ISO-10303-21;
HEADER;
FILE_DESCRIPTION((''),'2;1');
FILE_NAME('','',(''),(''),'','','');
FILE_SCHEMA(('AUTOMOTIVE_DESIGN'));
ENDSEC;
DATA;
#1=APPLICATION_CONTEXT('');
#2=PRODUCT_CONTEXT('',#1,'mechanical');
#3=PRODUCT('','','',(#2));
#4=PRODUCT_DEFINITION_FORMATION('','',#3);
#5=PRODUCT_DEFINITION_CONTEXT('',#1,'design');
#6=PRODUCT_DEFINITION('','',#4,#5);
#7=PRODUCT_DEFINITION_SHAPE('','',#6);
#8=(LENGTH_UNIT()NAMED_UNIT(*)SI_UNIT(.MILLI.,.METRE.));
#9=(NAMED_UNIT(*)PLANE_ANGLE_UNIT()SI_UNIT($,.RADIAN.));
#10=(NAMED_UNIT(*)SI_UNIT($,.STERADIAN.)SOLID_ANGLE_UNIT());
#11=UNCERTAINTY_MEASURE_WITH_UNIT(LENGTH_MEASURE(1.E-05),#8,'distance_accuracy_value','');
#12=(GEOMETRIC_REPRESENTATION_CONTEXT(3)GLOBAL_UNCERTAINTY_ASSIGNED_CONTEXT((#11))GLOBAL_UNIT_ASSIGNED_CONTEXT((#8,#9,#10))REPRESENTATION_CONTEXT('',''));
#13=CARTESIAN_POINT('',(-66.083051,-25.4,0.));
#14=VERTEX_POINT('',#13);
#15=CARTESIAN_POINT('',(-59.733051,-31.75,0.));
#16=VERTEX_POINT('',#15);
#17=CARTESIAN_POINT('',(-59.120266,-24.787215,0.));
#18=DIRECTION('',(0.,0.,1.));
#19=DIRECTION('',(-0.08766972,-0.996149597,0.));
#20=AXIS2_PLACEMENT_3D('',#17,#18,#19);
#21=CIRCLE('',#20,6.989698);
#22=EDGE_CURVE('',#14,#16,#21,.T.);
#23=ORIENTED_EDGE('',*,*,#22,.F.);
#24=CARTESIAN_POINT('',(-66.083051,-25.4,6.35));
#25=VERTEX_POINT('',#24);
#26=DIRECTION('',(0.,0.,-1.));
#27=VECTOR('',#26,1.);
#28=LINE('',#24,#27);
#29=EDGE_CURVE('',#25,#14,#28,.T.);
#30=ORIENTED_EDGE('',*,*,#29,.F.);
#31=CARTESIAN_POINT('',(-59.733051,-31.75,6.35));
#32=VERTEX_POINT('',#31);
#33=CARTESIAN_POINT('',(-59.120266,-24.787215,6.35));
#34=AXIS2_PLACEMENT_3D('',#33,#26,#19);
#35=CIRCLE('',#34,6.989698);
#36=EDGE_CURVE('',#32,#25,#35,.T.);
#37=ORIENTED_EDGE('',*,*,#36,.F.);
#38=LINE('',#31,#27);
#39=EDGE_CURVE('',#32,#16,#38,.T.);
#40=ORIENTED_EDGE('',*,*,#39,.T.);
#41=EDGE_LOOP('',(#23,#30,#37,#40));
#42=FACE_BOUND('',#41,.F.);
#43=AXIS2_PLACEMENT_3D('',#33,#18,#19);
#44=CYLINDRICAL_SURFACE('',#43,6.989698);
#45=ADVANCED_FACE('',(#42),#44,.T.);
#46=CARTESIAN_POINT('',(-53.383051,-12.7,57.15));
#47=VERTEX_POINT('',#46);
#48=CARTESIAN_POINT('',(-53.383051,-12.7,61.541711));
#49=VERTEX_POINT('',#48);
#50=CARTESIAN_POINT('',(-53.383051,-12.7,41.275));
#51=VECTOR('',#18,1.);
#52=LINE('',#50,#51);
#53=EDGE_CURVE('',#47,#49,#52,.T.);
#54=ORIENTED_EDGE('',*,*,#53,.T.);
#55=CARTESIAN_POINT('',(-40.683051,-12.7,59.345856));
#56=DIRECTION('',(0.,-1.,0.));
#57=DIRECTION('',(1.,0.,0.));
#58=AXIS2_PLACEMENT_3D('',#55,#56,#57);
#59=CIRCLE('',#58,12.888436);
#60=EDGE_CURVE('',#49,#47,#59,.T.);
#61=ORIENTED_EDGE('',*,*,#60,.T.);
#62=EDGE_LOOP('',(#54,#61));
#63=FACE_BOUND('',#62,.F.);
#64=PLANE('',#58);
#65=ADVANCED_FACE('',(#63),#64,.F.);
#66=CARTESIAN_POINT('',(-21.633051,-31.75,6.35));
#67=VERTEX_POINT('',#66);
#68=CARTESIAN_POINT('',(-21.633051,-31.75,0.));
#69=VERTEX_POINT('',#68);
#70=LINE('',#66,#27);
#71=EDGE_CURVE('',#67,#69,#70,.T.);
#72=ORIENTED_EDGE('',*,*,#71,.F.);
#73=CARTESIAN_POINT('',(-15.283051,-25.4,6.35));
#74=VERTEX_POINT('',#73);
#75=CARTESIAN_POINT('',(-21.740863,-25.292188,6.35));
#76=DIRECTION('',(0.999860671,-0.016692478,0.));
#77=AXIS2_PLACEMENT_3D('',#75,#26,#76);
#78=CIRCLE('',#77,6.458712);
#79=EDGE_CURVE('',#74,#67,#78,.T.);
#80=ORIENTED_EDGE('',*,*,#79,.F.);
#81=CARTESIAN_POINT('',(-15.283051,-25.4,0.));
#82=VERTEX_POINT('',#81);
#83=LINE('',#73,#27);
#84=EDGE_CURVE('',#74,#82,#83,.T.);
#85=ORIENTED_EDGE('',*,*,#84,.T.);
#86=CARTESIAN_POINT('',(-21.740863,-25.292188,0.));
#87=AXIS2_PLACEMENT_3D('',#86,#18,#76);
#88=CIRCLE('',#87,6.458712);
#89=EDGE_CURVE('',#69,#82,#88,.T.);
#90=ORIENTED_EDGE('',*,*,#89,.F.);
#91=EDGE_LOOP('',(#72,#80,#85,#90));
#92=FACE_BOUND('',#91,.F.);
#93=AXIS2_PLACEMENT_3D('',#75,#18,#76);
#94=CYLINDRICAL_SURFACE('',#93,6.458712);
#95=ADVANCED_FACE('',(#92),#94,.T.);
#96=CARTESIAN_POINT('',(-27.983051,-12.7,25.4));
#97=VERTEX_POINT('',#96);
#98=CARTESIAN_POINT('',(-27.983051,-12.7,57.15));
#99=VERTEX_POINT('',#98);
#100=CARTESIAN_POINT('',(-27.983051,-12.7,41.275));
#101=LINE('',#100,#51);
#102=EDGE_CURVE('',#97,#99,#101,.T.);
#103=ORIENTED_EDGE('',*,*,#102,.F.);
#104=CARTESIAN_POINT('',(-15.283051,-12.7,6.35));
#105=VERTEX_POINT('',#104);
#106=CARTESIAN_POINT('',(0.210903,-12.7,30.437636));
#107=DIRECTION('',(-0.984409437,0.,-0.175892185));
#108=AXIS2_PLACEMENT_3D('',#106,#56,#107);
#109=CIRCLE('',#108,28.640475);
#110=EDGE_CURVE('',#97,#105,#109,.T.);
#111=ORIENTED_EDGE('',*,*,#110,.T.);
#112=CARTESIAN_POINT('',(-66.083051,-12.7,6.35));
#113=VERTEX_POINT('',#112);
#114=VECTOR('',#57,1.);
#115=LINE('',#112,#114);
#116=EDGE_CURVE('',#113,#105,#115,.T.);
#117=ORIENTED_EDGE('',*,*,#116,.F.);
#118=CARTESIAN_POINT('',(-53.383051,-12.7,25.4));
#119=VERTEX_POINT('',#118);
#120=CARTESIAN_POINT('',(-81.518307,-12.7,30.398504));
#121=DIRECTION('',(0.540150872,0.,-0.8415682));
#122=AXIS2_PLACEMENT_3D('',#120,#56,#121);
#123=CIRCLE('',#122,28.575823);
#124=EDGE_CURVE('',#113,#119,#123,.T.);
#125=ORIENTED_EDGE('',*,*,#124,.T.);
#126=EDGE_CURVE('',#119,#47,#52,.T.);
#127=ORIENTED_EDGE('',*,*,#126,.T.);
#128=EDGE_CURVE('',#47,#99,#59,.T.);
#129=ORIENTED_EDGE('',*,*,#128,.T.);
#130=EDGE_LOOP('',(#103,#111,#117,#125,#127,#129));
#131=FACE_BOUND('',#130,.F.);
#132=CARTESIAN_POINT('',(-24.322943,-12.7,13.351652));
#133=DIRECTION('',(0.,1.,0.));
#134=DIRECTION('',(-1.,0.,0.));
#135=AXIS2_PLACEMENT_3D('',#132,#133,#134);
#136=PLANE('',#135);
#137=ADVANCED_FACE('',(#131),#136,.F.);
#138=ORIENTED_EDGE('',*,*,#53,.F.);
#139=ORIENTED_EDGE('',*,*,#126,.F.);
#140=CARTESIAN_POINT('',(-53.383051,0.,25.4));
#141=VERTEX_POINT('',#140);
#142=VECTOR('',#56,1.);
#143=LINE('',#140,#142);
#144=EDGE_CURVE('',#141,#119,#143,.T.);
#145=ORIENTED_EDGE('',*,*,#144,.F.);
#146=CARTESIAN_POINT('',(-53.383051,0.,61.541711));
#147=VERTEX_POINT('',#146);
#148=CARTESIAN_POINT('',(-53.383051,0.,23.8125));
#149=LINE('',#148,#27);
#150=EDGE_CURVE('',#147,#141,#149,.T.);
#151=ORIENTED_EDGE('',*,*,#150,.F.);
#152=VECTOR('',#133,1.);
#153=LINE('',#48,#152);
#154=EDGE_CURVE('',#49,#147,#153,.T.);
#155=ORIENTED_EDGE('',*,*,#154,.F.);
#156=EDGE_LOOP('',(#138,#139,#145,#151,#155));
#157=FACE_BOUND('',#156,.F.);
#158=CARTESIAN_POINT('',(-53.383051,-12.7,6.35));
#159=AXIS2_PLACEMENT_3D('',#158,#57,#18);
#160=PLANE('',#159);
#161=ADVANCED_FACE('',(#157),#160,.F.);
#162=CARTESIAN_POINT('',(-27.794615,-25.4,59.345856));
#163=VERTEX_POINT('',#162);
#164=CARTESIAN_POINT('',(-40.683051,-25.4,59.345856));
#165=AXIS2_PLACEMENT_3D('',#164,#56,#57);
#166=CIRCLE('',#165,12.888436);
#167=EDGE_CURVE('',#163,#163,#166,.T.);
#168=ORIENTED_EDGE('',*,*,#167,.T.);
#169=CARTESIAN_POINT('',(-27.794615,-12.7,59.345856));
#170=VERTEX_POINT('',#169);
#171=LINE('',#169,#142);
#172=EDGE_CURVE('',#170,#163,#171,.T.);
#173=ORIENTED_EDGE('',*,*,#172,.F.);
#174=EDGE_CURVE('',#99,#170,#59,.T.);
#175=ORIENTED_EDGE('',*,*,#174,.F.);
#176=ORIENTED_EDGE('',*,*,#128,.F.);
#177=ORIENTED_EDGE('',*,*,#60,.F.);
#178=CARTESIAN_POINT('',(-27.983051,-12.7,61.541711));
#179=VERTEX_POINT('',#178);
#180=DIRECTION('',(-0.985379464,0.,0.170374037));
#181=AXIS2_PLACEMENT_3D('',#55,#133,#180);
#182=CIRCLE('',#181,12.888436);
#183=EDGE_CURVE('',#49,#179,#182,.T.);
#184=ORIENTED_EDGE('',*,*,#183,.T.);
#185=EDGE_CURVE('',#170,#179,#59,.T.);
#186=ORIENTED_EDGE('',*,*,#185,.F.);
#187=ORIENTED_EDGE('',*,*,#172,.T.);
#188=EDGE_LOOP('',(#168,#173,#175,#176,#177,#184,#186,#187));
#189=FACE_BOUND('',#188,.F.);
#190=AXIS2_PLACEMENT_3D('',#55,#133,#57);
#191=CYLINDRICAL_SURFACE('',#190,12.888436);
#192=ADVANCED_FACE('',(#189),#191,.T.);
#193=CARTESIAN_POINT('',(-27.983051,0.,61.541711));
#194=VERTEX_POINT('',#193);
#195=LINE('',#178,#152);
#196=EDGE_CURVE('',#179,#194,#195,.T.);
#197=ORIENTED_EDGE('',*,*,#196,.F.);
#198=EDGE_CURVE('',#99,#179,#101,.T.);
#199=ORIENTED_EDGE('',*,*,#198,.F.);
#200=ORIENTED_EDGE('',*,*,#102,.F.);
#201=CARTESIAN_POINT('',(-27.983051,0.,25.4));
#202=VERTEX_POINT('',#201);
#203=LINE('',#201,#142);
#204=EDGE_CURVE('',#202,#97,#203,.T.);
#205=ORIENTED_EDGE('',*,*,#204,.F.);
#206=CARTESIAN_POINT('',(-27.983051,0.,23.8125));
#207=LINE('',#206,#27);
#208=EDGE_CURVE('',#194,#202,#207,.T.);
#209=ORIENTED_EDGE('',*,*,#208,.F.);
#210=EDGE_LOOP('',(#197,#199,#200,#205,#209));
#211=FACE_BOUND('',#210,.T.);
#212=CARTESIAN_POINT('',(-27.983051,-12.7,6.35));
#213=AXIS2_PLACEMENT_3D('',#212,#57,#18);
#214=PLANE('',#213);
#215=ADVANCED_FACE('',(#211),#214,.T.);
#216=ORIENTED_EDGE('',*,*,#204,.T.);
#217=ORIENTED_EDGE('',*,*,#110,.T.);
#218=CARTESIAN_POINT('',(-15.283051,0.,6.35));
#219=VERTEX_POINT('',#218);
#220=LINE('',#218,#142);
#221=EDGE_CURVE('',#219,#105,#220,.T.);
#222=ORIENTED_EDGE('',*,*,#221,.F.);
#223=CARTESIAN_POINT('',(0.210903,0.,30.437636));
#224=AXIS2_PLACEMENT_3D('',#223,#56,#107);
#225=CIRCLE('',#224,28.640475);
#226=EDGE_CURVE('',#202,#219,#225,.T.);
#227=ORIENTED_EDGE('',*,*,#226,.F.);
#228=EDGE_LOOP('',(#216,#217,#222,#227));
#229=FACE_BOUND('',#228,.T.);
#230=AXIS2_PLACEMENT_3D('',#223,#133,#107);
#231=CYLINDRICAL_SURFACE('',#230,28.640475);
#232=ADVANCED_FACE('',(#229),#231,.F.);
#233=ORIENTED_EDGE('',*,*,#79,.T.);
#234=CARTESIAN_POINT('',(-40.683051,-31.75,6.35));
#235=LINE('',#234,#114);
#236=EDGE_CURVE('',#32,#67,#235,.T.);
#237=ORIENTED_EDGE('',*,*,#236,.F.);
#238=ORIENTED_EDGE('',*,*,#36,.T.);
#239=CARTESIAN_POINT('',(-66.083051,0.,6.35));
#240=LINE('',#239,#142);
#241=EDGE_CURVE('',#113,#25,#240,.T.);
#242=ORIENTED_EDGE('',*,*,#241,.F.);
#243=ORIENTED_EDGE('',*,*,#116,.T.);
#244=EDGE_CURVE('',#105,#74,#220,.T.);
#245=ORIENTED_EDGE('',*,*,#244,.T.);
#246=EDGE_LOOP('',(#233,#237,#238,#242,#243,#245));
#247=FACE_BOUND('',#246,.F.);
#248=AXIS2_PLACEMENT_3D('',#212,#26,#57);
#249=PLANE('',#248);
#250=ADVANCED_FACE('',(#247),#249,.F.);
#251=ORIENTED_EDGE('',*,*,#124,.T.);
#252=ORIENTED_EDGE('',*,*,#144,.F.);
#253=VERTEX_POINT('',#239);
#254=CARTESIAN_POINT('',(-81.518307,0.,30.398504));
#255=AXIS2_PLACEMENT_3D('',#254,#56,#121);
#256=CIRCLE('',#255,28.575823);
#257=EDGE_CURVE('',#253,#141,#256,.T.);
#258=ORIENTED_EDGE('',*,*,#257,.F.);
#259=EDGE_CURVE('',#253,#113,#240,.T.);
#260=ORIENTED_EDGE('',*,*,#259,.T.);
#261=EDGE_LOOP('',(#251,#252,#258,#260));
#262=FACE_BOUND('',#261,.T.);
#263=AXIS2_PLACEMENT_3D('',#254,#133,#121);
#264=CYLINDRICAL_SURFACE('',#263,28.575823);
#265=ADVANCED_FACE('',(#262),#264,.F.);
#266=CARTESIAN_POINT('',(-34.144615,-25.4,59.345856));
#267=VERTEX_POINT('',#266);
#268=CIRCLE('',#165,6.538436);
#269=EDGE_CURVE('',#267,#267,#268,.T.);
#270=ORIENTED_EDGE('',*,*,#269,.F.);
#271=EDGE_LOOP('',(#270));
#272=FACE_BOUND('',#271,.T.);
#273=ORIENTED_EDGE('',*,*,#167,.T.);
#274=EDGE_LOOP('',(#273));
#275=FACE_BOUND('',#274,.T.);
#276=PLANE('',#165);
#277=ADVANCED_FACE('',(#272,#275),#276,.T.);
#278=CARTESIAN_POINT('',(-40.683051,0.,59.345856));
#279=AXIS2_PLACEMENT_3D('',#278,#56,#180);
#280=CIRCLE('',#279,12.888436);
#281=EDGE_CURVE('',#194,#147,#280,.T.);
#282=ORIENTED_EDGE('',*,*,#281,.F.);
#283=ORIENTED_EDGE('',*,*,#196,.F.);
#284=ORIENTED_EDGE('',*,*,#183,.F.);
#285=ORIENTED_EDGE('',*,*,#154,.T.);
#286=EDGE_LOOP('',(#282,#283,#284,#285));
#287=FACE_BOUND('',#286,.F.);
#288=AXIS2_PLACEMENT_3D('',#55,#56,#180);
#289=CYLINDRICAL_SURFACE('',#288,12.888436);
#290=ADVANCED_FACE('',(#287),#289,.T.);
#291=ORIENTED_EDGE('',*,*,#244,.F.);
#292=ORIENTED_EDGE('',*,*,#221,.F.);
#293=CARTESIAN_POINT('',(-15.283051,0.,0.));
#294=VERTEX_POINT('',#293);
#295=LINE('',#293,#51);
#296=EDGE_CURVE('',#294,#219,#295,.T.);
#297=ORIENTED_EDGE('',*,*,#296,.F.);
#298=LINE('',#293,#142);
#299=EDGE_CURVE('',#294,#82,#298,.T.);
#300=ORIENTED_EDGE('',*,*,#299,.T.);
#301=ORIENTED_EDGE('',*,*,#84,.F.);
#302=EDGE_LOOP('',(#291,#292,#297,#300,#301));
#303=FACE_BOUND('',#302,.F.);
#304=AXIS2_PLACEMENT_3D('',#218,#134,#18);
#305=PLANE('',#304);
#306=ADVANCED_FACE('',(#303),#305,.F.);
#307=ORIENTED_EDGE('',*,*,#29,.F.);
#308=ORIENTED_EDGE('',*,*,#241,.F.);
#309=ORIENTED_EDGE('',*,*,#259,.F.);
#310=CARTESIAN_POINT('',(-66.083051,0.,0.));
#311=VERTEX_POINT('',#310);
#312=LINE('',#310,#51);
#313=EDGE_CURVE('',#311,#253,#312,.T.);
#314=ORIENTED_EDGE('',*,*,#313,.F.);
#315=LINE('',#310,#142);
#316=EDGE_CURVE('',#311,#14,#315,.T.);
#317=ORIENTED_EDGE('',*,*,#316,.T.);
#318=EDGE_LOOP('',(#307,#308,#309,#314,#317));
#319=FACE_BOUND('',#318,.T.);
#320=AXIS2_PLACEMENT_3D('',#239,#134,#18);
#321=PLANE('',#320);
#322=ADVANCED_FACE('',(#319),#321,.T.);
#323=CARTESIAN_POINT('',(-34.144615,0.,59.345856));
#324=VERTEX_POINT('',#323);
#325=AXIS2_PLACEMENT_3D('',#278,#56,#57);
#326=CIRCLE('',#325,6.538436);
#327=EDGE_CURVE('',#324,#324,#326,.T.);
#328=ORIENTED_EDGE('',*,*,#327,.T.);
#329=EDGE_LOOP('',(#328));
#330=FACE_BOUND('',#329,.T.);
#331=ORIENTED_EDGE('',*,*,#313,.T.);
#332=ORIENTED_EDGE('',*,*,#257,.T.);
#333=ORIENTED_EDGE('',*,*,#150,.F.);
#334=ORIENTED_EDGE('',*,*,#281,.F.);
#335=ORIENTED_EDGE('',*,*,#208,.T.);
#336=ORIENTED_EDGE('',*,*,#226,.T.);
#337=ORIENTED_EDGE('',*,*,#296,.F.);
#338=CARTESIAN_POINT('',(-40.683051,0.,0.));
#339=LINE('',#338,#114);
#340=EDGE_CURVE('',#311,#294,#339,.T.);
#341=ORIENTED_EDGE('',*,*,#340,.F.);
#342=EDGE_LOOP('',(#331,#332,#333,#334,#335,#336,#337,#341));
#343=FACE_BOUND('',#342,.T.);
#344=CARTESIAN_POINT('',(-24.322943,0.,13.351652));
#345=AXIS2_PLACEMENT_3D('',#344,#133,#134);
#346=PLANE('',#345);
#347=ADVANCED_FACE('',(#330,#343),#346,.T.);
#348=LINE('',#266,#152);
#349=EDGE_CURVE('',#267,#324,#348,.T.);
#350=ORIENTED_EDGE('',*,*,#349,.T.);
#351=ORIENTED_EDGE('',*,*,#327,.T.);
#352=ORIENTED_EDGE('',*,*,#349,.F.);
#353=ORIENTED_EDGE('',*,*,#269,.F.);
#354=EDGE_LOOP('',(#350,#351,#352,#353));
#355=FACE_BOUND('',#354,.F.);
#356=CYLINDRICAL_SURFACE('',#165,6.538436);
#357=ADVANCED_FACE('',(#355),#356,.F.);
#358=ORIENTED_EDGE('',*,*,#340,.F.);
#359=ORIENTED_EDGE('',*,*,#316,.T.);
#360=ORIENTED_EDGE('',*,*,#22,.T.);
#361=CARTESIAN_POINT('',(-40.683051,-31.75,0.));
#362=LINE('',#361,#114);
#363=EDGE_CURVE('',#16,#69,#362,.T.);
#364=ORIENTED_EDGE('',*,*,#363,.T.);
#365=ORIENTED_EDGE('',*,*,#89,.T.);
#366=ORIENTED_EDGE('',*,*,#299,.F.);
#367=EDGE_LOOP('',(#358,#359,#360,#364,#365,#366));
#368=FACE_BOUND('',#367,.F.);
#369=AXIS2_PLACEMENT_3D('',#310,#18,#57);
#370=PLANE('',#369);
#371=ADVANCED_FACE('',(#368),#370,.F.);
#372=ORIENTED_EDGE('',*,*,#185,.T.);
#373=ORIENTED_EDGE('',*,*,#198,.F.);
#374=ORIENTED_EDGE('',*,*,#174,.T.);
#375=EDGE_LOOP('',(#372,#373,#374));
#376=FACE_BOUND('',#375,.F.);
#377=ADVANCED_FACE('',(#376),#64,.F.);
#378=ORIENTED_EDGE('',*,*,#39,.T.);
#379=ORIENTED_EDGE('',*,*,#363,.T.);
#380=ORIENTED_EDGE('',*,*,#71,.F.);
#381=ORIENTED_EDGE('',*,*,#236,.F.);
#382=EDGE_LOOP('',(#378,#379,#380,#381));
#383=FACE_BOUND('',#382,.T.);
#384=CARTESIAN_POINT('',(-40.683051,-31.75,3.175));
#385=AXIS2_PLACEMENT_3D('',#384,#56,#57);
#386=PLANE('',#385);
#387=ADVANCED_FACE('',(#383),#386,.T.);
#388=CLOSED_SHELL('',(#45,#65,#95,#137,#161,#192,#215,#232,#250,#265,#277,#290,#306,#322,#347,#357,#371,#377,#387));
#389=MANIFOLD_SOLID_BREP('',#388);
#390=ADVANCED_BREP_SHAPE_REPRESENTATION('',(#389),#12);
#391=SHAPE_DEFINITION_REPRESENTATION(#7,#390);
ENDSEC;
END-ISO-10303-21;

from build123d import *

# Parameters (mm, degrees)
F0_W      = 50.8
F0_H      = 6.35
F1_DEPTH  = 31.75
F2_W      = 50.8
F2_H      = 69.85
F3_DEPTH  = 12.7
F4_W      = 12.7
F4_H      = 69.85
F5_DEPTH  = 25.4
F7_DEPTH  = 12.7
F9_DEPTH  = 12.701
F10_R     = 12.888436
F11_DEPTH = 12.7
F12_R     = 6.538436
F13_DEPTH = 25.401
F15_DEPTH = 25.4
F17_DEPTH = 25.4


with BuildPart() as f1:
    # F0 (on Front) → F1 (new body)
    with BuildSketch(Plane.XZ):
        with Locations((-40.683051, 3.175)):
            Rectangle(F0_W, F0_H)
    extrude(amount=F1_DEPTH)

    # F2 (on face) → F3 (join)
    with BuildSketch(Plane(origin=(0, 0, 0), x_dir=(-1, 0, 0), z_dir=(0, 1, 0))):
        with Locations((40.683051, 41.275)):
            Rectangle(F2_W, F2_H)
    extrude(amount=-F3_DEPTH)

    # F4 (on face) → F5 (cut)
    with BuildSketch(Plane.XZ.offset(12.7)):
        with Locations((-59.733051, 41.275)):
            Rectangle(F4_W, F4_H)
        with Locations((-21.633051, 41.275)):
            Rectangle(F4_W, F4_H)
    extrude(amount=-F5_DEPTH, mode=Mode.SUBTRACT)

    # F6 (on face) → F7 (join)
    with BuildSketch(Plane(origin=(0, 0, 0), x_dir=(-1, 0, 0), z_dir=(0, 1, 0))):
        with BuildLine():
            ThreePointArc((27.983051, 25.4), (23.619413, 14.550759), (15.283051, 6.35))
            Line((15.283051, 6.35), (27.983051, 6.35))
            Line((27.983051, 6.35), (27.983051, 25.4))
        make_face()
        with BuildLine():
            Line((53.383051, 6.35), (66.083051, 6.35))
            ThreePointArc((66.083051, 6.35), (57.741785, 14.547489), (53.383051, 25.4))
            Line((53.383051, 25.4), (53.383051, 6.35))
        make_face()
    extrude(amount=-F7_DEPTH)

    # F8 (on face) → F9 (cut, through all)
    with BuildSketch(Plane.XZ.offset(12.7)):
        with BuildLine():
            ThreePointArc((-53.383051, 61.541711), (-40.683051, 72.234292), (-27.983051, 61.541711))
            Line((-27.983051, 61.541711), (-27.983051, 76.2))
            Line((-27.983051, 76.2), (-53.383051, 76.2))
            Line((-53.383051, 76.2), (-53.383051, 61.541711))
        make_face()
    extrude(amount=-F9_DEPTH, mode=Mode.SUBTRACT)

    # F10 (on face) → F11 (join)
    with BuildSketch(Plane.XZ.offset(12.7)):
        with Locations((-40.683051, 59.345856)):
            Circle(F10_R)
    extrude(amount=F11_DEPTH)

    # F12 (on face) → F13 (cut, through all)
    with BuildSketch(Plane.XZ.offset(25.4)):
        with Locations((-40.683051, 59.345856)):
            Circle(F12_R)
    extrude(amount=-F13_DEPTH, mode=Mode.SUBTRACT)

    # F14 (on face) → F15 (cut)
    with BuildSketch(Plane.XY.offset(6.35)):
        with BuildLine():
            ThreePointArc((-15.283051, -25.4), (-17.173864, -29.859187), (-21.633051, -31.75))
            Line((-21.633051, -31.75), (-15.283051, -31.75))
            Line((-15.283051, -31.75), (-15.283051, -25.4))
        make_face()
    extrude(amount=-F15_DEPTH, mode=Mode.SUBTRACT)

    # F16 (on face) → F17 (cut)
    with BuildSketch(Plane.XY.offset(6.35)):
        with BuildLine():
            ThreePointArc((-59.733051, -31.75), (-64.062729, -29.729678), (-66.083051, -25.4))
            Line((-66.083051, -25.4), (-66.083051, -31.75))
            Line((-66.083051, -31.75), (-59.733051, -31.75))
        make_face()
    extrude(amount=-F17_DEPTH, mode=Mode.SUBTRACT)


solid = f1.part
